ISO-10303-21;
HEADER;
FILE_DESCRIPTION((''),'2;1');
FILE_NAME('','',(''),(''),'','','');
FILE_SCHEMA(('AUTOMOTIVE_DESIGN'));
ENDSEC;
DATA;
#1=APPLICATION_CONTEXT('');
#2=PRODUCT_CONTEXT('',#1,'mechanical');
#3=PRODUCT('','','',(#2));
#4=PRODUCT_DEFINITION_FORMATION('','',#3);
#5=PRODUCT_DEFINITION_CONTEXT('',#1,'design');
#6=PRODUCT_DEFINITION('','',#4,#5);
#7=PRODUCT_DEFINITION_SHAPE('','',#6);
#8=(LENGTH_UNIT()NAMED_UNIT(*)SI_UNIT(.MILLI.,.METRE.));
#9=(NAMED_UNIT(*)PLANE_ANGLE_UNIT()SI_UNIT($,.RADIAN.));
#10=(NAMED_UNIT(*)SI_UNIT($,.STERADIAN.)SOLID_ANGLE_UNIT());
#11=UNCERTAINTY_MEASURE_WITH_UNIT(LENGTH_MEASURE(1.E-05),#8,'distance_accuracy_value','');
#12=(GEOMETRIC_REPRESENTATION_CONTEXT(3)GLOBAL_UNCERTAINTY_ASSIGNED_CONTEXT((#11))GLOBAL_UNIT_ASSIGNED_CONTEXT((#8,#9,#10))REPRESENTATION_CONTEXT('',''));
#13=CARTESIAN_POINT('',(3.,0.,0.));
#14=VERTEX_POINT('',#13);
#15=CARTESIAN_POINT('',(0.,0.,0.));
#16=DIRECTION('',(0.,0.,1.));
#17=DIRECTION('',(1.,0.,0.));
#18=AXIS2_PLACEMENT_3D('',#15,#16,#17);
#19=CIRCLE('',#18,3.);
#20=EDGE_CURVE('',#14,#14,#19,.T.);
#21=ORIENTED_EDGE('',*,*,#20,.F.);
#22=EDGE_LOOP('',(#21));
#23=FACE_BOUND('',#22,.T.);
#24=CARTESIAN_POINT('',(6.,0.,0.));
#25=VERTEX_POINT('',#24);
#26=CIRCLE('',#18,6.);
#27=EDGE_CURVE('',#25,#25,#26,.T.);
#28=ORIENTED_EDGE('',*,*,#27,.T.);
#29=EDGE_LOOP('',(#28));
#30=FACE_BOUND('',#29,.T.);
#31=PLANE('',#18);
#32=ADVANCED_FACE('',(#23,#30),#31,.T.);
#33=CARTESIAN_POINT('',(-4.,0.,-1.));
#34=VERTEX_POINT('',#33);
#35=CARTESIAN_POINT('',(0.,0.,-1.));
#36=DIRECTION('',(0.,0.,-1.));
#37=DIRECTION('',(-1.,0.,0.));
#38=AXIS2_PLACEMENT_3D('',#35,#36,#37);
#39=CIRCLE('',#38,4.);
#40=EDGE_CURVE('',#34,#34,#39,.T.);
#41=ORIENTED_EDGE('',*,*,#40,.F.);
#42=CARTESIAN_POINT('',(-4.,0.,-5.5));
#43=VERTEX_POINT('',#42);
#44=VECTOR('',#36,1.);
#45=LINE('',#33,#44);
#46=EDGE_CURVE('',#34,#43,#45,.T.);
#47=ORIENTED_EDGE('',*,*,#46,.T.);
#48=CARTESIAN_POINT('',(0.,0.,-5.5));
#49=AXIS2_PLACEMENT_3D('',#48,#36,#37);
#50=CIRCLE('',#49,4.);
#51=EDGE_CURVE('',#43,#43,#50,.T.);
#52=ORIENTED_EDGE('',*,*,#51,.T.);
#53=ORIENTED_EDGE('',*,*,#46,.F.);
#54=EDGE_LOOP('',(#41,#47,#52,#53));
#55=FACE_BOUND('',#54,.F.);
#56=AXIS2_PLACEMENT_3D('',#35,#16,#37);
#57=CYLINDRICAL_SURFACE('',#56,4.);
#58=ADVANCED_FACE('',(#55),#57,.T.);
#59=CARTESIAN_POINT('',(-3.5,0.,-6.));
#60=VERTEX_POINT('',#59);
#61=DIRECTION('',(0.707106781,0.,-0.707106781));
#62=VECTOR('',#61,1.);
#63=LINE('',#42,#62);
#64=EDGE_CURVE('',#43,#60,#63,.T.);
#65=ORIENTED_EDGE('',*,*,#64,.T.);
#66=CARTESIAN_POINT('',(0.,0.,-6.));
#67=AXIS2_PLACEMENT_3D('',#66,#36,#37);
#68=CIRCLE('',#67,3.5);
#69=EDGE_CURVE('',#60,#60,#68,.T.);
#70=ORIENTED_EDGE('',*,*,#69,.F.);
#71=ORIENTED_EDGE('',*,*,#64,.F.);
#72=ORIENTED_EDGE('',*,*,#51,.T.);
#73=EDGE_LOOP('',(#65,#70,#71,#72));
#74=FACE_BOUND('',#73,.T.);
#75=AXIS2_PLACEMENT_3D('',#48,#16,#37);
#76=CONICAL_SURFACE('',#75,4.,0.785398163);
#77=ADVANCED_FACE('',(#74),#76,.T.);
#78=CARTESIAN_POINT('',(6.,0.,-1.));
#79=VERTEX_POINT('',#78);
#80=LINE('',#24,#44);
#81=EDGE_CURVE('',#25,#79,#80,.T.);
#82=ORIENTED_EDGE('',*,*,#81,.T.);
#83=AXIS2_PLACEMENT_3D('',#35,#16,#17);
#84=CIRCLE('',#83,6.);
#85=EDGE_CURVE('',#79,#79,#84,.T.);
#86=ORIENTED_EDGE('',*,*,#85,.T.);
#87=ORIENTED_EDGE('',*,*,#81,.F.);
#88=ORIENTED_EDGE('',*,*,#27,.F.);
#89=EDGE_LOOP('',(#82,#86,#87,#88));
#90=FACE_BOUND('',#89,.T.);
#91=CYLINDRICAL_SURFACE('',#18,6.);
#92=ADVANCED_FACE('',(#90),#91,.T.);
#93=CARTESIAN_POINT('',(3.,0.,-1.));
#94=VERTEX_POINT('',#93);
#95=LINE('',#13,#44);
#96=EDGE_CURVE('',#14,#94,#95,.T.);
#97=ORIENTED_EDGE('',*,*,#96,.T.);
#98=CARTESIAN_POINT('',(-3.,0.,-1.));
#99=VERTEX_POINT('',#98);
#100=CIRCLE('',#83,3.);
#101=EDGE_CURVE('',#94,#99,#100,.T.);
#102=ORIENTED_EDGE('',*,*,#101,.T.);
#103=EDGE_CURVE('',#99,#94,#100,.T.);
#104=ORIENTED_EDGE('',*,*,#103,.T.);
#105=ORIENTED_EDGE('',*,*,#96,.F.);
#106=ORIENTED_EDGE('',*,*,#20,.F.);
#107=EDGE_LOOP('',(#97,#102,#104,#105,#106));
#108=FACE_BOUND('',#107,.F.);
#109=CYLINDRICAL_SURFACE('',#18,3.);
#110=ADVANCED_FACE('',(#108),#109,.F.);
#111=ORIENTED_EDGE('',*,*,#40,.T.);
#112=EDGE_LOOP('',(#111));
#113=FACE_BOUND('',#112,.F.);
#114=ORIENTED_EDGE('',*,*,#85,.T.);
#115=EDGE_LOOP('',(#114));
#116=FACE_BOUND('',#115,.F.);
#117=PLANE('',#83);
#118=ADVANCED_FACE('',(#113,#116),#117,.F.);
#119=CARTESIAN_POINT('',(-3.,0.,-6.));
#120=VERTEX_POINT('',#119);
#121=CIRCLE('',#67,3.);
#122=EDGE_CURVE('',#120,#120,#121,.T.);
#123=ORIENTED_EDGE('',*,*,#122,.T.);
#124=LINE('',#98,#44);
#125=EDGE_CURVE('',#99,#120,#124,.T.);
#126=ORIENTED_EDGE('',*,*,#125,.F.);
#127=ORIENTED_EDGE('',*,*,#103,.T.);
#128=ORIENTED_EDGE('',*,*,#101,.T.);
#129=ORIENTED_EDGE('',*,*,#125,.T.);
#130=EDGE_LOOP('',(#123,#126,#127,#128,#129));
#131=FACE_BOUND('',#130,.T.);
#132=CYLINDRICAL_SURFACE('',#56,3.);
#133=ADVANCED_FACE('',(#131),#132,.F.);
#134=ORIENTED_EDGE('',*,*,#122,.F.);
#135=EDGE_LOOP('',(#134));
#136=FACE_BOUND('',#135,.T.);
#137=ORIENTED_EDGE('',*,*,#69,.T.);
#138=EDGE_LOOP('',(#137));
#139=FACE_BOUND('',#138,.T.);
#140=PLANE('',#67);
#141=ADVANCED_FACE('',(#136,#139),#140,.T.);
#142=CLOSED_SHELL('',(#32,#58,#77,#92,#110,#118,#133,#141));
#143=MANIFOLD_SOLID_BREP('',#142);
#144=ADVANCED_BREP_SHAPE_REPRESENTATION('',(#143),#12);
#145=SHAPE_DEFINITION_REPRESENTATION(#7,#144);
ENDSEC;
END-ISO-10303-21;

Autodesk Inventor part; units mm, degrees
ref_plane "YZ Plane" through (0, 0, 0) normal (1, 0, 0) x (0, 1, 0)
ref_plane "XZ Plane" through (0, 0, 0) normal (0, 1, 0) x (-1, 0, 0)
ref_plane "XY Plane" through (0, 0, 0) normal (0, 0, 1) x (1, 0, 0)
sketch "Sketch1" plane through (0, 0, 0) normal (0, 0, 1) x (1, 0, 0)
  circle A0 centre (0, 0) radius 3
  circle A1 centre (0, 0) radius 6
  dimension "d0" = 6
  dimension "d1" = 12
extrude "Extrusion1" add sketch "Sketch1" against normal blind 1
sketch "Sketch2" plane through (0, 0, -1) normal (0, 0, -1) x (-1, 0, 0)
  circle A0 centre (0, 0) radius 4
  circle A1 centre (0, 0) radius 3 projected
  dimension "d4" = 8
extrude "Extrusion2" add sketch "Sketch2" along normal blind 5
chamfer "Chamfer1" distance 0.5 angle 45 1 edges at (4, 0, -6)
properties part number "w5f6-12a" material "アセタール樹脂、黒"
